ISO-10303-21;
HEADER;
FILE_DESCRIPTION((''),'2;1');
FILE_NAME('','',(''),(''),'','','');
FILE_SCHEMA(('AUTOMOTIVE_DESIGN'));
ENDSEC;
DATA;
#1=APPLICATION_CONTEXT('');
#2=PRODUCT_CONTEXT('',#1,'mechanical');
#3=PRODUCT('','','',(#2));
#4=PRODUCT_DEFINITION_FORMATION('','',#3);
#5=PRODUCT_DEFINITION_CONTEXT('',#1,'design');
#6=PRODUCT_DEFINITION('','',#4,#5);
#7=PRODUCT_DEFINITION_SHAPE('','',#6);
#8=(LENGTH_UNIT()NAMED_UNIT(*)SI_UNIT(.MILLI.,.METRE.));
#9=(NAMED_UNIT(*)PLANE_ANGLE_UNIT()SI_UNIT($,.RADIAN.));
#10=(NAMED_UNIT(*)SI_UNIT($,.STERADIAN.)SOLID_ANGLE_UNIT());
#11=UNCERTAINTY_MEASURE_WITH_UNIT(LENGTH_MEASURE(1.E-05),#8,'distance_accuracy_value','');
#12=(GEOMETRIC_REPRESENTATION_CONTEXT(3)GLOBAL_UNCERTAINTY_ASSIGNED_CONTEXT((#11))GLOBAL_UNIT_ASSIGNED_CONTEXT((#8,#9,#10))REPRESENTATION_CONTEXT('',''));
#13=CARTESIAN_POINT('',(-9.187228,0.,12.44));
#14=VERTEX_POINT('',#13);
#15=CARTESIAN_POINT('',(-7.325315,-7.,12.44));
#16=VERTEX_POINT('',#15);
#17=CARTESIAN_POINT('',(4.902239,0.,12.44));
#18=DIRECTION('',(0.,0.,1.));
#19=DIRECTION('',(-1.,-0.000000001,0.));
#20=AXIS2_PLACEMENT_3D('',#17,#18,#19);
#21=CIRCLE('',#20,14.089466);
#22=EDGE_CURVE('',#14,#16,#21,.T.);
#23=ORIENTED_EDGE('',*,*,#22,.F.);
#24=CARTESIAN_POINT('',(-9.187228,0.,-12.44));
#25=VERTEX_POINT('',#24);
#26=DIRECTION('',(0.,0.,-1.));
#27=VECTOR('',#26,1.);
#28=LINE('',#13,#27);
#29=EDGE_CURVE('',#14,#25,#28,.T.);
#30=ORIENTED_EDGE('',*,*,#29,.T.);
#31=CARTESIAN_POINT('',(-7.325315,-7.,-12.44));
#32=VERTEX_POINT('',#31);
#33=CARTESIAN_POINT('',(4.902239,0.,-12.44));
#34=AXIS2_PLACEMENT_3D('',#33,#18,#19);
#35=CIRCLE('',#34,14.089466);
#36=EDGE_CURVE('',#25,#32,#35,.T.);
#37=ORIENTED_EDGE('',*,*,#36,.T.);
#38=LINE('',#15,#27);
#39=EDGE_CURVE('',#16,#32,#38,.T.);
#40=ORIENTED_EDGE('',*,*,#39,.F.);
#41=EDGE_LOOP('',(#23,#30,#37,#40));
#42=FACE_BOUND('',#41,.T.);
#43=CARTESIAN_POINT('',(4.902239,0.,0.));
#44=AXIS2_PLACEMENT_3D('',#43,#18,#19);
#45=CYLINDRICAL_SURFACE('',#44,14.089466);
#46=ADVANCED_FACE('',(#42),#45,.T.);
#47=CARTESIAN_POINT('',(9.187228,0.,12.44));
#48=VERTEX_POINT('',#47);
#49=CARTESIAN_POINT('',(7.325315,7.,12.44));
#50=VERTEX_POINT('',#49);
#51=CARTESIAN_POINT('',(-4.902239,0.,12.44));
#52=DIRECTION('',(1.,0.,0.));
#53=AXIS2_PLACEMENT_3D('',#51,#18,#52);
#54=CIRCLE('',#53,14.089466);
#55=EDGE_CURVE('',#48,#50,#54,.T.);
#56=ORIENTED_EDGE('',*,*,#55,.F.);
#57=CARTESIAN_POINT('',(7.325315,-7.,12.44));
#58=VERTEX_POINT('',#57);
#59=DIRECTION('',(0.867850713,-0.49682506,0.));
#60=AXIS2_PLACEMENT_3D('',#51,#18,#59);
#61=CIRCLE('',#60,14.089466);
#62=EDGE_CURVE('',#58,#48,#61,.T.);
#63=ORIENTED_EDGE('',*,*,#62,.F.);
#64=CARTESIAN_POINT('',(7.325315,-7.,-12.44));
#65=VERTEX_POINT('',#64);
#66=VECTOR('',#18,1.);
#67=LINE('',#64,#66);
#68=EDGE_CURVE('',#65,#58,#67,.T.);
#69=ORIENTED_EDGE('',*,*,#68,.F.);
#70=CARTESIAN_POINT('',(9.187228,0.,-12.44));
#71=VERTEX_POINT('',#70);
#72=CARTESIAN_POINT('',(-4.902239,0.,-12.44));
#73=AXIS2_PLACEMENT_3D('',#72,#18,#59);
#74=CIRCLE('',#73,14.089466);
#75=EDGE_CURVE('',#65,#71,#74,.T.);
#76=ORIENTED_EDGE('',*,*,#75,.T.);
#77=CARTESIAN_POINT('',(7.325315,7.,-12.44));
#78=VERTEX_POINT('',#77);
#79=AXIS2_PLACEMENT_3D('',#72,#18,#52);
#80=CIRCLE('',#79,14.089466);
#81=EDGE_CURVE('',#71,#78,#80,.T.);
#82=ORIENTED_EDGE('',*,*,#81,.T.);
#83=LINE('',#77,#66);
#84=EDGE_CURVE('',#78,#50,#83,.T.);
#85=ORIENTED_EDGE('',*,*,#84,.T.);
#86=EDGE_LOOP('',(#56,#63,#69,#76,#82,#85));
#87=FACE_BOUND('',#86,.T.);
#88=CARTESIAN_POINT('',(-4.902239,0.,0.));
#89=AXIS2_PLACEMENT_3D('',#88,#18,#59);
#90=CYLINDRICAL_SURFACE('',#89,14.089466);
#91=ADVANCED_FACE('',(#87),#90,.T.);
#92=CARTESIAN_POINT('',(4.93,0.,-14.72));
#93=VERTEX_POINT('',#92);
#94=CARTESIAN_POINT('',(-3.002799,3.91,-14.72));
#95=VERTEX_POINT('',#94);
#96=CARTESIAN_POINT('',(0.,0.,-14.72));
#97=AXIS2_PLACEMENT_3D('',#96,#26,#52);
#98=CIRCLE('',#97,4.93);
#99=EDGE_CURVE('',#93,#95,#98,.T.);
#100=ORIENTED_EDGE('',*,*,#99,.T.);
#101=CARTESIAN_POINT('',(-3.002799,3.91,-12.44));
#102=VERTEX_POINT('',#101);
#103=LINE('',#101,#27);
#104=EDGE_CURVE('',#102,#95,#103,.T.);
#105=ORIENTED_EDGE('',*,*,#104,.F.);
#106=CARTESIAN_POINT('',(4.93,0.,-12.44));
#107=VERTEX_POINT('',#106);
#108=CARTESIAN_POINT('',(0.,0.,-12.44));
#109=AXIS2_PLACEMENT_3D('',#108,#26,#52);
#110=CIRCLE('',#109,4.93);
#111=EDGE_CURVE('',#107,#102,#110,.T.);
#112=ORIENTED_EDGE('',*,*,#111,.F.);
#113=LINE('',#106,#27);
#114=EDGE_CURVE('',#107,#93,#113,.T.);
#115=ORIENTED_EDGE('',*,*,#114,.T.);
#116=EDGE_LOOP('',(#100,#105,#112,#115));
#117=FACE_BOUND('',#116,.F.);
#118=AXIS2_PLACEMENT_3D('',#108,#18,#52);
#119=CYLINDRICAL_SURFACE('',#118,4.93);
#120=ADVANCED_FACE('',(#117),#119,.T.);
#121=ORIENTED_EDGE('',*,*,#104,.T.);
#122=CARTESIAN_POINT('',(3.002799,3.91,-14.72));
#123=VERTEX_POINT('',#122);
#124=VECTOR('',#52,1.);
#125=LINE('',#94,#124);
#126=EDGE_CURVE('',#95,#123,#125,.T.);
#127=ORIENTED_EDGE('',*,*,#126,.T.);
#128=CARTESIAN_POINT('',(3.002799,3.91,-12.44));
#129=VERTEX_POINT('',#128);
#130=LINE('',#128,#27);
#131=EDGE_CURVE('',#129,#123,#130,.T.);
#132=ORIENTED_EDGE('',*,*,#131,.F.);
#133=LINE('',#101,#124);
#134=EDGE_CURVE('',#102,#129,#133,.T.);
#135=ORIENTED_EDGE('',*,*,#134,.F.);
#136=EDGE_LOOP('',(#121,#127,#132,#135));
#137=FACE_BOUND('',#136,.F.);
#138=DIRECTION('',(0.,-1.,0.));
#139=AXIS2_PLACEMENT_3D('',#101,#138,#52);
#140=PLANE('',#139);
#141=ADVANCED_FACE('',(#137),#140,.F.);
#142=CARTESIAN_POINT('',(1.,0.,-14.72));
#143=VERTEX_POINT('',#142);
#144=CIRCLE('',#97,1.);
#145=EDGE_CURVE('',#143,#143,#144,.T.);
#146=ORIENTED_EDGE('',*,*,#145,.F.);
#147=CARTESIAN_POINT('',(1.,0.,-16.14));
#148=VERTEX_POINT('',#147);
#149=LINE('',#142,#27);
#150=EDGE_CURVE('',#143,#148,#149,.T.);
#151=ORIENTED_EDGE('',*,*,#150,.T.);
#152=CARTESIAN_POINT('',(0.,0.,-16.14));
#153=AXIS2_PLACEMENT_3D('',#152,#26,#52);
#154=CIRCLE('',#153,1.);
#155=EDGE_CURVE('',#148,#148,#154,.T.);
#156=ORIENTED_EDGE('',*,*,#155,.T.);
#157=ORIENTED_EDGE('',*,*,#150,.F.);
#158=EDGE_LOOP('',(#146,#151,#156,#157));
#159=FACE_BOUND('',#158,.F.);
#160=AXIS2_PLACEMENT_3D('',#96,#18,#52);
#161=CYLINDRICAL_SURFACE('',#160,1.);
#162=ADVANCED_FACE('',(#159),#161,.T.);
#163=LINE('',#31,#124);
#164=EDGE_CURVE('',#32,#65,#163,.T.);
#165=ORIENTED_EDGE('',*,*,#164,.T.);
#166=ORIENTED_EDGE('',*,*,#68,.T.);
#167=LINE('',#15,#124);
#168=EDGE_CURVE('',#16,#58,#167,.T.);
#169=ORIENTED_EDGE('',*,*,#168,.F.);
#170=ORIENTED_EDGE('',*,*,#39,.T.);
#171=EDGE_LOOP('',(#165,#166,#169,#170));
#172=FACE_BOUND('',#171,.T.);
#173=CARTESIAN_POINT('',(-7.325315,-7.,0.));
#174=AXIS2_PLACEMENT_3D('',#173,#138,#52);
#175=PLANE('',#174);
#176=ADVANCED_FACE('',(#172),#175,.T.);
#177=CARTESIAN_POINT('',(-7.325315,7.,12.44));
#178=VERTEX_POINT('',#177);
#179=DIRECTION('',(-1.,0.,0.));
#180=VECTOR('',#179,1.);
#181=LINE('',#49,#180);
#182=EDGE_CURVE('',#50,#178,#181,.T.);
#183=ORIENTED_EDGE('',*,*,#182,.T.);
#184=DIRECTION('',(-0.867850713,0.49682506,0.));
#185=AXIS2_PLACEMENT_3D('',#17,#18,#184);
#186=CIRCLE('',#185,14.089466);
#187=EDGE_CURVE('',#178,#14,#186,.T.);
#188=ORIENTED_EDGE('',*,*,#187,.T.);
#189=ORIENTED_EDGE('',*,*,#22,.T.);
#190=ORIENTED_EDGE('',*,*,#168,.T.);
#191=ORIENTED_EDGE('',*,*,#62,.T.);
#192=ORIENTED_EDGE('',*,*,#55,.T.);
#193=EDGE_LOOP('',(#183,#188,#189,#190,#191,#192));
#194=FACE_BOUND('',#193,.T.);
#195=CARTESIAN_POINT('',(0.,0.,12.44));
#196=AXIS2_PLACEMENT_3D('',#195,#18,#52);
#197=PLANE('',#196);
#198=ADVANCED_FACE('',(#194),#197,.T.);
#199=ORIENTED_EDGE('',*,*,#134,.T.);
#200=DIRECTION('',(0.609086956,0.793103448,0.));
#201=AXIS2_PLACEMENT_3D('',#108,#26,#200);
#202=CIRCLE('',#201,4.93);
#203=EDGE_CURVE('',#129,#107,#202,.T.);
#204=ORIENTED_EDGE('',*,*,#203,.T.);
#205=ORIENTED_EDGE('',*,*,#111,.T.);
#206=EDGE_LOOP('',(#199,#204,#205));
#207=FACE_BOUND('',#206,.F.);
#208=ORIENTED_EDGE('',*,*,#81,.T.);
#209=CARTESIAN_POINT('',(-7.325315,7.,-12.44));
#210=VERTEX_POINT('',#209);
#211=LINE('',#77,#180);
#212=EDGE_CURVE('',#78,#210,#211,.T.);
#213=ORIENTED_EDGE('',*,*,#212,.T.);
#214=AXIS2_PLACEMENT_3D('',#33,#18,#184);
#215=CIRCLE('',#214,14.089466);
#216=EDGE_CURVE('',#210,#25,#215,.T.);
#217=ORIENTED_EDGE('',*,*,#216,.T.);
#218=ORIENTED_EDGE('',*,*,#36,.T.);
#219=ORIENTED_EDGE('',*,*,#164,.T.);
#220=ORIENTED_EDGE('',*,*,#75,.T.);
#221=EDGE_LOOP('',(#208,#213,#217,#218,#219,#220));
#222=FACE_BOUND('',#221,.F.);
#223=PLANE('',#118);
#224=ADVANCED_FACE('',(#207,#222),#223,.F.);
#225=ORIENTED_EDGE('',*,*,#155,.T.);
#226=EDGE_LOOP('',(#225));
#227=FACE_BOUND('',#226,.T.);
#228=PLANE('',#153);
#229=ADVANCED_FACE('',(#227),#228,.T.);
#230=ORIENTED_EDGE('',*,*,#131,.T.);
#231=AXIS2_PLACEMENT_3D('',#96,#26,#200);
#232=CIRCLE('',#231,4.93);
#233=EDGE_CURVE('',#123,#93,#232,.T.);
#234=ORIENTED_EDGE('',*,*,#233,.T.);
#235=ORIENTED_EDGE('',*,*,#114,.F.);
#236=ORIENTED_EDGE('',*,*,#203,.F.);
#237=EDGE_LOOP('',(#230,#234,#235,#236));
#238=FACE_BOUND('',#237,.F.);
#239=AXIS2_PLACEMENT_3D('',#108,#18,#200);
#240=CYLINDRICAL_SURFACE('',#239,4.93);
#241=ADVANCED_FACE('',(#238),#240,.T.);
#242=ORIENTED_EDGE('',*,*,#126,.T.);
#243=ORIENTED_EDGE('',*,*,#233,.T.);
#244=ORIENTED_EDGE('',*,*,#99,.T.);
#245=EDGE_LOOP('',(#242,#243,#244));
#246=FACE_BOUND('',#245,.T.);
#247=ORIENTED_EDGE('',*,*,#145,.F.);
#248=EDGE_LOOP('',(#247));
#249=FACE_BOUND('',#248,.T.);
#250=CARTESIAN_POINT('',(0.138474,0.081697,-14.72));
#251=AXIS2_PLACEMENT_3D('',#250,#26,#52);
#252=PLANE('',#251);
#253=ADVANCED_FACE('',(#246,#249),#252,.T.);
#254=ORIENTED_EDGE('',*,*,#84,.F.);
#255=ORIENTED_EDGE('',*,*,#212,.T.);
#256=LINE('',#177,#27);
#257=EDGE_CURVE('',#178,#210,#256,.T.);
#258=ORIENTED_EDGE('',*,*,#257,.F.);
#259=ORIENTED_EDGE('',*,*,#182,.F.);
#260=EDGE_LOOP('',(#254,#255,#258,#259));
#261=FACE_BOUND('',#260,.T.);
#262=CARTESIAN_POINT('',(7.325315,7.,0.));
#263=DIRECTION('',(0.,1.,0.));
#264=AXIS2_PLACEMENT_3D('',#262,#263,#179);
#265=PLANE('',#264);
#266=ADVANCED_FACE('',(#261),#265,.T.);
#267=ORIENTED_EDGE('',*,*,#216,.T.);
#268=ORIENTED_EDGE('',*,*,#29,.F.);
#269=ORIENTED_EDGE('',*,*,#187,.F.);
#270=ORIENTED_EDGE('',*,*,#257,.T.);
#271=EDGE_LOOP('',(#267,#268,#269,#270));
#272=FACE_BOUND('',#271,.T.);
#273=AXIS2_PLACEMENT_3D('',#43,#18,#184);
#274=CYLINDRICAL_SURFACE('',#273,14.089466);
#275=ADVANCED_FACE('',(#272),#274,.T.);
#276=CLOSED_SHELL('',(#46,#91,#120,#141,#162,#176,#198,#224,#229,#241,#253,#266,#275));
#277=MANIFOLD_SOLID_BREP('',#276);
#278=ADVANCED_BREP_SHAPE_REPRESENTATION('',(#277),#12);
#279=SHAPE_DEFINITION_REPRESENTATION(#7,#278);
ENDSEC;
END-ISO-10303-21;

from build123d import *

# Parameters (mm, degrees)
F1_DEPTH = 12.44
F3_DEPTH = 2.28
F4_R     = 1
F5_DEPTH = 1.42


with BuildPart() as f1:
    # F0 (on Top) → F1 (new body, symmetric)
    with BuildSketch(Plane.XY):
        with BuildLine():
            Line((-7.3253149017, -7), (7.3253149017, -7))
            ThreePointArc((7.3253149017, -7), (8.7137955042, -3.6216957288), (9.1872278446, 0))
            ThreePointArc((9.1872278446, 0), (8.7137955042, 3.6216957288), (7.3253149017, 7))
            Line((7.3253149017, 7), (-7.3253149017, 7))
            ThreePointArc((-7.3253149017, 7), (-8.7137955052, 3.6216957251), (-9.1872278446, -7.5e-09))
            ThreePointArc((-9.1872278446, -7.5e-09), (-8.7137955032, -3.6216957324), (-7.3253149017, -7))
        make_face()
    extrude(amount=F1_DEPTH, both=True)

    # F2 (on face) → F3 (join)
    with BuildSketch(Plane(origin=(0, 0, -12.44), x_dir=(1, 0, 0), z_dir=(0, 0, -1))):
        with BuildLine():
            ThreePointArc((3.0027986946, -3.91), (4.4220299391, -2.1795759262), (4.93, 0))
            ThreePointArc((4.93, 0), (-2.1795759262, 4.4220299391), (-3.0027986946, -3.91))
            Line((-3.0027986946, -3.91), (3.0027986946, -3.91))
        make_face()
    extrude(amount=F3_DEPTH)

    # F4 (on face) → F5 (join)
    with BuildSketch(Plane(origin=(0, 0, -14.72), x_dir=(1, 0, 0), z_dir=(0, 0, -1))):
        Circle(F4_R)
    extrude(amount=F5_DEPTH)


solid = f1.part
